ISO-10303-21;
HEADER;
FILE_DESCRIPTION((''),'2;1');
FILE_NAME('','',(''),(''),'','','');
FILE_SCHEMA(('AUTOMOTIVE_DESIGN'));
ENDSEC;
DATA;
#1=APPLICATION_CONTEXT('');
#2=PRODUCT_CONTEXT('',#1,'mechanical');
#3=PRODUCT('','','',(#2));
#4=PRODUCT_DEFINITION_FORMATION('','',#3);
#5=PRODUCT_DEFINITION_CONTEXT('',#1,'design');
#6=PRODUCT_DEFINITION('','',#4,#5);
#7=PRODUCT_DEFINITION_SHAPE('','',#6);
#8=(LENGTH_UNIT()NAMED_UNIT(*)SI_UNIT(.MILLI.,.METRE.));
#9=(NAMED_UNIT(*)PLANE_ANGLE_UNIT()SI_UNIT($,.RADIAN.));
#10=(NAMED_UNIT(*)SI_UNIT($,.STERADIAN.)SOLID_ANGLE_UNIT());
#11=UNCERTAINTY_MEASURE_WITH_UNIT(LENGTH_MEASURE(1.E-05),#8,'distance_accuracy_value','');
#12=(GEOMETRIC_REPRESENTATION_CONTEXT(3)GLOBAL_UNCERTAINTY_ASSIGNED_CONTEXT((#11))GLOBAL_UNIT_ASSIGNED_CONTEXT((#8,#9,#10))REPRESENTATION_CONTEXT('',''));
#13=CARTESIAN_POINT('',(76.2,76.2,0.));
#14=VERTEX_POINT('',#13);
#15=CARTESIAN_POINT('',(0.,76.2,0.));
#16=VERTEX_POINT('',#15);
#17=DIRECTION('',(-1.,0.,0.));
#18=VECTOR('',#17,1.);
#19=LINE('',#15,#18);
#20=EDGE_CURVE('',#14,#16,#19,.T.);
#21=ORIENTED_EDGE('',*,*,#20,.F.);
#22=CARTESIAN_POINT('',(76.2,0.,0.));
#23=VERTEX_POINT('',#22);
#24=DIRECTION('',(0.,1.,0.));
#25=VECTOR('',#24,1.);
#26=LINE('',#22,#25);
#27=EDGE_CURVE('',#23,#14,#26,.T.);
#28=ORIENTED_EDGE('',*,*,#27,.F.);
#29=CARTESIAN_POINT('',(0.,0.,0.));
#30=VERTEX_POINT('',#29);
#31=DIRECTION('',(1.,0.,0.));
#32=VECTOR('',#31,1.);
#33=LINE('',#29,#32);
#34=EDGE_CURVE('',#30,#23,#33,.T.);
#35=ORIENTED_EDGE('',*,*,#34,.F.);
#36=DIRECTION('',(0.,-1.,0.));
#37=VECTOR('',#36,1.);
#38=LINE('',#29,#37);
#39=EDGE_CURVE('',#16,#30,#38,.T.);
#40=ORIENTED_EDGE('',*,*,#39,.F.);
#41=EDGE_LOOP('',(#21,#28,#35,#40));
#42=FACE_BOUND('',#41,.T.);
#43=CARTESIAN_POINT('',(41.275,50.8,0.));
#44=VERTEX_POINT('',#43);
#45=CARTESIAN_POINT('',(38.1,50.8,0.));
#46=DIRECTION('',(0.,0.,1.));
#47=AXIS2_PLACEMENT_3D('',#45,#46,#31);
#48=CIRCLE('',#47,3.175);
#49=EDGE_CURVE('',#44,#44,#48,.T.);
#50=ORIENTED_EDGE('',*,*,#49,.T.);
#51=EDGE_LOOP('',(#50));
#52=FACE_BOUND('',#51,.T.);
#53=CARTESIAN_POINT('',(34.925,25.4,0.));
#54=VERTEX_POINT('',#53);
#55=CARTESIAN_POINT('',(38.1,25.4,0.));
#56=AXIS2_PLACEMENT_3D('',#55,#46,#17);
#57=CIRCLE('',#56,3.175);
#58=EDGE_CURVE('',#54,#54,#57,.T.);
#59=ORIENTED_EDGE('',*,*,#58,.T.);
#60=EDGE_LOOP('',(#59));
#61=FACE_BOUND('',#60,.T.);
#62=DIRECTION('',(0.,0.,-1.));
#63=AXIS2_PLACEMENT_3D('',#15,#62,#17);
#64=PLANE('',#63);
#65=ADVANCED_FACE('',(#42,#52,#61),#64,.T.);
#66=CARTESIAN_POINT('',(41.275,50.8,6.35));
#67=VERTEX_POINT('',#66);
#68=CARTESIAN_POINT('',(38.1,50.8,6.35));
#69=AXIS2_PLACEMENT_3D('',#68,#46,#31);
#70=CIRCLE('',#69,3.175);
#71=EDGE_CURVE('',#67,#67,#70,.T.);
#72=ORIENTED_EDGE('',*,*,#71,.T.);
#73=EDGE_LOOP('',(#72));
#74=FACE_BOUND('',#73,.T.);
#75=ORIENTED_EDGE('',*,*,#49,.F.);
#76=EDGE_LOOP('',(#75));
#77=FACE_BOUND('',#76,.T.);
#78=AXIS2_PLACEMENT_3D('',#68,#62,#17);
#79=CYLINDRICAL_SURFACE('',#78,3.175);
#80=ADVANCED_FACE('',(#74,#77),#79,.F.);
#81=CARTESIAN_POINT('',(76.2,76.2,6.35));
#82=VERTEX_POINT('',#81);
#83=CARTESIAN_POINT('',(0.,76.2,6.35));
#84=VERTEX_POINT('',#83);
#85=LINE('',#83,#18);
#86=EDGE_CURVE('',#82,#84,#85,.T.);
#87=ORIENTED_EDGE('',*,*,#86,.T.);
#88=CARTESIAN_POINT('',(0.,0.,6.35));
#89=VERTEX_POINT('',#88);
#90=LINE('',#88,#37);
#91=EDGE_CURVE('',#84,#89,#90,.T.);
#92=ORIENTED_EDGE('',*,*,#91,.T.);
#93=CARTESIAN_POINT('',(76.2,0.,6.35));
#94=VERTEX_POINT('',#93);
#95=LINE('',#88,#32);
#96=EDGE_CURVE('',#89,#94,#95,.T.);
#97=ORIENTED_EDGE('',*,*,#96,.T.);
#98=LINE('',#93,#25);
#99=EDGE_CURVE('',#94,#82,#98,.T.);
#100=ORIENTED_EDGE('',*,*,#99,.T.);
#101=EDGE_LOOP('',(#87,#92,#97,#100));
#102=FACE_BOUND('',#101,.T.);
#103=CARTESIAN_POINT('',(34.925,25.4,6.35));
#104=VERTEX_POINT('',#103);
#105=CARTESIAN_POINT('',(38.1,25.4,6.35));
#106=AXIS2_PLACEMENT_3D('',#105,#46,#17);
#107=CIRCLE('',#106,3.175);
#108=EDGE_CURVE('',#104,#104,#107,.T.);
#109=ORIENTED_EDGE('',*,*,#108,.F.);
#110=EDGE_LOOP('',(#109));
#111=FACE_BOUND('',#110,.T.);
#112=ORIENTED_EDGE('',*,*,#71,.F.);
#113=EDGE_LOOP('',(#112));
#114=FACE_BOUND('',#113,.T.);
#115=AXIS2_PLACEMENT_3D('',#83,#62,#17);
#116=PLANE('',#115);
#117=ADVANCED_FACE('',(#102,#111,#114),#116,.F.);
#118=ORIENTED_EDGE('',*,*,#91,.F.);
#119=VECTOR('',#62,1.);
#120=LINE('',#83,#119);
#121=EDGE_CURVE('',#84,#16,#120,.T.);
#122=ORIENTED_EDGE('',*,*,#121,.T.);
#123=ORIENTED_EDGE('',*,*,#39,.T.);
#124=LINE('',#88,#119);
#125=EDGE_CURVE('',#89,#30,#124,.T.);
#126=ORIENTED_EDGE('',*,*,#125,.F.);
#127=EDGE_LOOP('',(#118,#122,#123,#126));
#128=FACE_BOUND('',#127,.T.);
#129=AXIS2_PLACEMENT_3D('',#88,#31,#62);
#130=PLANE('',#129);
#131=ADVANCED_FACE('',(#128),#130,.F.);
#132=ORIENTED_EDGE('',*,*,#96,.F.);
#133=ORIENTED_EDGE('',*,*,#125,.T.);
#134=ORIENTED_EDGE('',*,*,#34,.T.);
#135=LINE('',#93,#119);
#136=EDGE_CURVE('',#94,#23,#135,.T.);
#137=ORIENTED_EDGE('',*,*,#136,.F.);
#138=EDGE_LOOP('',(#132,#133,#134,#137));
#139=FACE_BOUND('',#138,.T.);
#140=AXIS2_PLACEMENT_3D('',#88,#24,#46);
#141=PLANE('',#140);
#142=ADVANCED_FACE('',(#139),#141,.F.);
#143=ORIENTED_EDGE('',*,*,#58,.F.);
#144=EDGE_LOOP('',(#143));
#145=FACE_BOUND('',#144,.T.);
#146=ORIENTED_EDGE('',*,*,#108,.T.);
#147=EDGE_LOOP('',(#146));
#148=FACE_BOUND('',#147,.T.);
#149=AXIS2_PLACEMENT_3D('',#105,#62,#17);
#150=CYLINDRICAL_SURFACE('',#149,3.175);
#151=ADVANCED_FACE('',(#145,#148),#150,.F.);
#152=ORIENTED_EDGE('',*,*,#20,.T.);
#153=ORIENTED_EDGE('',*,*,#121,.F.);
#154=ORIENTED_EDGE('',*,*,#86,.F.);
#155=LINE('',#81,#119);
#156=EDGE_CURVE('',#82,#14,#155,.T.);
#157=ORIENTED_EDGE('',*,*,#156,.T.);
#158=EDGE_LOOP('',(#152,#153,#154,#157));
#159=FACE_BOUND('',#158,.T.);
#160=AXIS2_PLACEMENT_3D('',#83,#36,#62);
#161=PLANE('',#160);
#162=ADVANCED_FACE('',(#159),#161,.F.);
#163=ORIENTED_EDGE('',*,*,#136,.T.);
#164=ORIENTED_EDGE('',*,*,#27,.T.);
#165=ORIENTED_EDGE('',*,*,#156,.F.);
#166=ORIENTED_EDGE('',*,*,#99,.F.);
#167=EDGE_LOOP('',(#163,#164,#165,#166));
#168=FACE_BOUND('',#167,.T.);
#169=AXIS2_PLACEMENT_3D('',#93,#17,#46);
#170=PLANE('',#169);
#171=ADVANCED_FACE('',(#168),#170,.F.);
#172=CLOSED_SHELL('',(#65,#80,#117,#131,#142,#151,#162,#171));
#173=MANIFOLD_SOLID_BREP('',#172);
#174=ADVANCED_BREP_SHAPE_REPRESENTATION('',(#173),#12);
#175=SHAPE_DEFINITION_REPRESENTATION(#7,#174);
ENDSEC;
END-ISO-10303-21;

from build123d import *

# Parameters (mm, degrees)
SKETCH1_W           = 76.2
SKETCH1_H           = 76.2
SKETCH1_R           = 3.175
BOSS_EXTRUDE1_DEPTH = 6.35


with BuildPart() as part:
    # Sketch1 → Boss-Extrude1 (new body)
    with BuildSketch(Plane.XY):
        with Locations((38.1, 38.1)):
            Rectangle(SKETCH1_W, SKETCH1_H)
        with Locations((38.1, 50.8)):
            Circle(SKETCH1_R, mode=Mode.SUBTRACT)
        with Locations((38.1, 25.4)):
            Circle(SKETCH1_R, mode=Mode.SUBTRACT)
    extrude(amount=BOSS_EXTRUDE1_DEPTH)


solid = part.part
